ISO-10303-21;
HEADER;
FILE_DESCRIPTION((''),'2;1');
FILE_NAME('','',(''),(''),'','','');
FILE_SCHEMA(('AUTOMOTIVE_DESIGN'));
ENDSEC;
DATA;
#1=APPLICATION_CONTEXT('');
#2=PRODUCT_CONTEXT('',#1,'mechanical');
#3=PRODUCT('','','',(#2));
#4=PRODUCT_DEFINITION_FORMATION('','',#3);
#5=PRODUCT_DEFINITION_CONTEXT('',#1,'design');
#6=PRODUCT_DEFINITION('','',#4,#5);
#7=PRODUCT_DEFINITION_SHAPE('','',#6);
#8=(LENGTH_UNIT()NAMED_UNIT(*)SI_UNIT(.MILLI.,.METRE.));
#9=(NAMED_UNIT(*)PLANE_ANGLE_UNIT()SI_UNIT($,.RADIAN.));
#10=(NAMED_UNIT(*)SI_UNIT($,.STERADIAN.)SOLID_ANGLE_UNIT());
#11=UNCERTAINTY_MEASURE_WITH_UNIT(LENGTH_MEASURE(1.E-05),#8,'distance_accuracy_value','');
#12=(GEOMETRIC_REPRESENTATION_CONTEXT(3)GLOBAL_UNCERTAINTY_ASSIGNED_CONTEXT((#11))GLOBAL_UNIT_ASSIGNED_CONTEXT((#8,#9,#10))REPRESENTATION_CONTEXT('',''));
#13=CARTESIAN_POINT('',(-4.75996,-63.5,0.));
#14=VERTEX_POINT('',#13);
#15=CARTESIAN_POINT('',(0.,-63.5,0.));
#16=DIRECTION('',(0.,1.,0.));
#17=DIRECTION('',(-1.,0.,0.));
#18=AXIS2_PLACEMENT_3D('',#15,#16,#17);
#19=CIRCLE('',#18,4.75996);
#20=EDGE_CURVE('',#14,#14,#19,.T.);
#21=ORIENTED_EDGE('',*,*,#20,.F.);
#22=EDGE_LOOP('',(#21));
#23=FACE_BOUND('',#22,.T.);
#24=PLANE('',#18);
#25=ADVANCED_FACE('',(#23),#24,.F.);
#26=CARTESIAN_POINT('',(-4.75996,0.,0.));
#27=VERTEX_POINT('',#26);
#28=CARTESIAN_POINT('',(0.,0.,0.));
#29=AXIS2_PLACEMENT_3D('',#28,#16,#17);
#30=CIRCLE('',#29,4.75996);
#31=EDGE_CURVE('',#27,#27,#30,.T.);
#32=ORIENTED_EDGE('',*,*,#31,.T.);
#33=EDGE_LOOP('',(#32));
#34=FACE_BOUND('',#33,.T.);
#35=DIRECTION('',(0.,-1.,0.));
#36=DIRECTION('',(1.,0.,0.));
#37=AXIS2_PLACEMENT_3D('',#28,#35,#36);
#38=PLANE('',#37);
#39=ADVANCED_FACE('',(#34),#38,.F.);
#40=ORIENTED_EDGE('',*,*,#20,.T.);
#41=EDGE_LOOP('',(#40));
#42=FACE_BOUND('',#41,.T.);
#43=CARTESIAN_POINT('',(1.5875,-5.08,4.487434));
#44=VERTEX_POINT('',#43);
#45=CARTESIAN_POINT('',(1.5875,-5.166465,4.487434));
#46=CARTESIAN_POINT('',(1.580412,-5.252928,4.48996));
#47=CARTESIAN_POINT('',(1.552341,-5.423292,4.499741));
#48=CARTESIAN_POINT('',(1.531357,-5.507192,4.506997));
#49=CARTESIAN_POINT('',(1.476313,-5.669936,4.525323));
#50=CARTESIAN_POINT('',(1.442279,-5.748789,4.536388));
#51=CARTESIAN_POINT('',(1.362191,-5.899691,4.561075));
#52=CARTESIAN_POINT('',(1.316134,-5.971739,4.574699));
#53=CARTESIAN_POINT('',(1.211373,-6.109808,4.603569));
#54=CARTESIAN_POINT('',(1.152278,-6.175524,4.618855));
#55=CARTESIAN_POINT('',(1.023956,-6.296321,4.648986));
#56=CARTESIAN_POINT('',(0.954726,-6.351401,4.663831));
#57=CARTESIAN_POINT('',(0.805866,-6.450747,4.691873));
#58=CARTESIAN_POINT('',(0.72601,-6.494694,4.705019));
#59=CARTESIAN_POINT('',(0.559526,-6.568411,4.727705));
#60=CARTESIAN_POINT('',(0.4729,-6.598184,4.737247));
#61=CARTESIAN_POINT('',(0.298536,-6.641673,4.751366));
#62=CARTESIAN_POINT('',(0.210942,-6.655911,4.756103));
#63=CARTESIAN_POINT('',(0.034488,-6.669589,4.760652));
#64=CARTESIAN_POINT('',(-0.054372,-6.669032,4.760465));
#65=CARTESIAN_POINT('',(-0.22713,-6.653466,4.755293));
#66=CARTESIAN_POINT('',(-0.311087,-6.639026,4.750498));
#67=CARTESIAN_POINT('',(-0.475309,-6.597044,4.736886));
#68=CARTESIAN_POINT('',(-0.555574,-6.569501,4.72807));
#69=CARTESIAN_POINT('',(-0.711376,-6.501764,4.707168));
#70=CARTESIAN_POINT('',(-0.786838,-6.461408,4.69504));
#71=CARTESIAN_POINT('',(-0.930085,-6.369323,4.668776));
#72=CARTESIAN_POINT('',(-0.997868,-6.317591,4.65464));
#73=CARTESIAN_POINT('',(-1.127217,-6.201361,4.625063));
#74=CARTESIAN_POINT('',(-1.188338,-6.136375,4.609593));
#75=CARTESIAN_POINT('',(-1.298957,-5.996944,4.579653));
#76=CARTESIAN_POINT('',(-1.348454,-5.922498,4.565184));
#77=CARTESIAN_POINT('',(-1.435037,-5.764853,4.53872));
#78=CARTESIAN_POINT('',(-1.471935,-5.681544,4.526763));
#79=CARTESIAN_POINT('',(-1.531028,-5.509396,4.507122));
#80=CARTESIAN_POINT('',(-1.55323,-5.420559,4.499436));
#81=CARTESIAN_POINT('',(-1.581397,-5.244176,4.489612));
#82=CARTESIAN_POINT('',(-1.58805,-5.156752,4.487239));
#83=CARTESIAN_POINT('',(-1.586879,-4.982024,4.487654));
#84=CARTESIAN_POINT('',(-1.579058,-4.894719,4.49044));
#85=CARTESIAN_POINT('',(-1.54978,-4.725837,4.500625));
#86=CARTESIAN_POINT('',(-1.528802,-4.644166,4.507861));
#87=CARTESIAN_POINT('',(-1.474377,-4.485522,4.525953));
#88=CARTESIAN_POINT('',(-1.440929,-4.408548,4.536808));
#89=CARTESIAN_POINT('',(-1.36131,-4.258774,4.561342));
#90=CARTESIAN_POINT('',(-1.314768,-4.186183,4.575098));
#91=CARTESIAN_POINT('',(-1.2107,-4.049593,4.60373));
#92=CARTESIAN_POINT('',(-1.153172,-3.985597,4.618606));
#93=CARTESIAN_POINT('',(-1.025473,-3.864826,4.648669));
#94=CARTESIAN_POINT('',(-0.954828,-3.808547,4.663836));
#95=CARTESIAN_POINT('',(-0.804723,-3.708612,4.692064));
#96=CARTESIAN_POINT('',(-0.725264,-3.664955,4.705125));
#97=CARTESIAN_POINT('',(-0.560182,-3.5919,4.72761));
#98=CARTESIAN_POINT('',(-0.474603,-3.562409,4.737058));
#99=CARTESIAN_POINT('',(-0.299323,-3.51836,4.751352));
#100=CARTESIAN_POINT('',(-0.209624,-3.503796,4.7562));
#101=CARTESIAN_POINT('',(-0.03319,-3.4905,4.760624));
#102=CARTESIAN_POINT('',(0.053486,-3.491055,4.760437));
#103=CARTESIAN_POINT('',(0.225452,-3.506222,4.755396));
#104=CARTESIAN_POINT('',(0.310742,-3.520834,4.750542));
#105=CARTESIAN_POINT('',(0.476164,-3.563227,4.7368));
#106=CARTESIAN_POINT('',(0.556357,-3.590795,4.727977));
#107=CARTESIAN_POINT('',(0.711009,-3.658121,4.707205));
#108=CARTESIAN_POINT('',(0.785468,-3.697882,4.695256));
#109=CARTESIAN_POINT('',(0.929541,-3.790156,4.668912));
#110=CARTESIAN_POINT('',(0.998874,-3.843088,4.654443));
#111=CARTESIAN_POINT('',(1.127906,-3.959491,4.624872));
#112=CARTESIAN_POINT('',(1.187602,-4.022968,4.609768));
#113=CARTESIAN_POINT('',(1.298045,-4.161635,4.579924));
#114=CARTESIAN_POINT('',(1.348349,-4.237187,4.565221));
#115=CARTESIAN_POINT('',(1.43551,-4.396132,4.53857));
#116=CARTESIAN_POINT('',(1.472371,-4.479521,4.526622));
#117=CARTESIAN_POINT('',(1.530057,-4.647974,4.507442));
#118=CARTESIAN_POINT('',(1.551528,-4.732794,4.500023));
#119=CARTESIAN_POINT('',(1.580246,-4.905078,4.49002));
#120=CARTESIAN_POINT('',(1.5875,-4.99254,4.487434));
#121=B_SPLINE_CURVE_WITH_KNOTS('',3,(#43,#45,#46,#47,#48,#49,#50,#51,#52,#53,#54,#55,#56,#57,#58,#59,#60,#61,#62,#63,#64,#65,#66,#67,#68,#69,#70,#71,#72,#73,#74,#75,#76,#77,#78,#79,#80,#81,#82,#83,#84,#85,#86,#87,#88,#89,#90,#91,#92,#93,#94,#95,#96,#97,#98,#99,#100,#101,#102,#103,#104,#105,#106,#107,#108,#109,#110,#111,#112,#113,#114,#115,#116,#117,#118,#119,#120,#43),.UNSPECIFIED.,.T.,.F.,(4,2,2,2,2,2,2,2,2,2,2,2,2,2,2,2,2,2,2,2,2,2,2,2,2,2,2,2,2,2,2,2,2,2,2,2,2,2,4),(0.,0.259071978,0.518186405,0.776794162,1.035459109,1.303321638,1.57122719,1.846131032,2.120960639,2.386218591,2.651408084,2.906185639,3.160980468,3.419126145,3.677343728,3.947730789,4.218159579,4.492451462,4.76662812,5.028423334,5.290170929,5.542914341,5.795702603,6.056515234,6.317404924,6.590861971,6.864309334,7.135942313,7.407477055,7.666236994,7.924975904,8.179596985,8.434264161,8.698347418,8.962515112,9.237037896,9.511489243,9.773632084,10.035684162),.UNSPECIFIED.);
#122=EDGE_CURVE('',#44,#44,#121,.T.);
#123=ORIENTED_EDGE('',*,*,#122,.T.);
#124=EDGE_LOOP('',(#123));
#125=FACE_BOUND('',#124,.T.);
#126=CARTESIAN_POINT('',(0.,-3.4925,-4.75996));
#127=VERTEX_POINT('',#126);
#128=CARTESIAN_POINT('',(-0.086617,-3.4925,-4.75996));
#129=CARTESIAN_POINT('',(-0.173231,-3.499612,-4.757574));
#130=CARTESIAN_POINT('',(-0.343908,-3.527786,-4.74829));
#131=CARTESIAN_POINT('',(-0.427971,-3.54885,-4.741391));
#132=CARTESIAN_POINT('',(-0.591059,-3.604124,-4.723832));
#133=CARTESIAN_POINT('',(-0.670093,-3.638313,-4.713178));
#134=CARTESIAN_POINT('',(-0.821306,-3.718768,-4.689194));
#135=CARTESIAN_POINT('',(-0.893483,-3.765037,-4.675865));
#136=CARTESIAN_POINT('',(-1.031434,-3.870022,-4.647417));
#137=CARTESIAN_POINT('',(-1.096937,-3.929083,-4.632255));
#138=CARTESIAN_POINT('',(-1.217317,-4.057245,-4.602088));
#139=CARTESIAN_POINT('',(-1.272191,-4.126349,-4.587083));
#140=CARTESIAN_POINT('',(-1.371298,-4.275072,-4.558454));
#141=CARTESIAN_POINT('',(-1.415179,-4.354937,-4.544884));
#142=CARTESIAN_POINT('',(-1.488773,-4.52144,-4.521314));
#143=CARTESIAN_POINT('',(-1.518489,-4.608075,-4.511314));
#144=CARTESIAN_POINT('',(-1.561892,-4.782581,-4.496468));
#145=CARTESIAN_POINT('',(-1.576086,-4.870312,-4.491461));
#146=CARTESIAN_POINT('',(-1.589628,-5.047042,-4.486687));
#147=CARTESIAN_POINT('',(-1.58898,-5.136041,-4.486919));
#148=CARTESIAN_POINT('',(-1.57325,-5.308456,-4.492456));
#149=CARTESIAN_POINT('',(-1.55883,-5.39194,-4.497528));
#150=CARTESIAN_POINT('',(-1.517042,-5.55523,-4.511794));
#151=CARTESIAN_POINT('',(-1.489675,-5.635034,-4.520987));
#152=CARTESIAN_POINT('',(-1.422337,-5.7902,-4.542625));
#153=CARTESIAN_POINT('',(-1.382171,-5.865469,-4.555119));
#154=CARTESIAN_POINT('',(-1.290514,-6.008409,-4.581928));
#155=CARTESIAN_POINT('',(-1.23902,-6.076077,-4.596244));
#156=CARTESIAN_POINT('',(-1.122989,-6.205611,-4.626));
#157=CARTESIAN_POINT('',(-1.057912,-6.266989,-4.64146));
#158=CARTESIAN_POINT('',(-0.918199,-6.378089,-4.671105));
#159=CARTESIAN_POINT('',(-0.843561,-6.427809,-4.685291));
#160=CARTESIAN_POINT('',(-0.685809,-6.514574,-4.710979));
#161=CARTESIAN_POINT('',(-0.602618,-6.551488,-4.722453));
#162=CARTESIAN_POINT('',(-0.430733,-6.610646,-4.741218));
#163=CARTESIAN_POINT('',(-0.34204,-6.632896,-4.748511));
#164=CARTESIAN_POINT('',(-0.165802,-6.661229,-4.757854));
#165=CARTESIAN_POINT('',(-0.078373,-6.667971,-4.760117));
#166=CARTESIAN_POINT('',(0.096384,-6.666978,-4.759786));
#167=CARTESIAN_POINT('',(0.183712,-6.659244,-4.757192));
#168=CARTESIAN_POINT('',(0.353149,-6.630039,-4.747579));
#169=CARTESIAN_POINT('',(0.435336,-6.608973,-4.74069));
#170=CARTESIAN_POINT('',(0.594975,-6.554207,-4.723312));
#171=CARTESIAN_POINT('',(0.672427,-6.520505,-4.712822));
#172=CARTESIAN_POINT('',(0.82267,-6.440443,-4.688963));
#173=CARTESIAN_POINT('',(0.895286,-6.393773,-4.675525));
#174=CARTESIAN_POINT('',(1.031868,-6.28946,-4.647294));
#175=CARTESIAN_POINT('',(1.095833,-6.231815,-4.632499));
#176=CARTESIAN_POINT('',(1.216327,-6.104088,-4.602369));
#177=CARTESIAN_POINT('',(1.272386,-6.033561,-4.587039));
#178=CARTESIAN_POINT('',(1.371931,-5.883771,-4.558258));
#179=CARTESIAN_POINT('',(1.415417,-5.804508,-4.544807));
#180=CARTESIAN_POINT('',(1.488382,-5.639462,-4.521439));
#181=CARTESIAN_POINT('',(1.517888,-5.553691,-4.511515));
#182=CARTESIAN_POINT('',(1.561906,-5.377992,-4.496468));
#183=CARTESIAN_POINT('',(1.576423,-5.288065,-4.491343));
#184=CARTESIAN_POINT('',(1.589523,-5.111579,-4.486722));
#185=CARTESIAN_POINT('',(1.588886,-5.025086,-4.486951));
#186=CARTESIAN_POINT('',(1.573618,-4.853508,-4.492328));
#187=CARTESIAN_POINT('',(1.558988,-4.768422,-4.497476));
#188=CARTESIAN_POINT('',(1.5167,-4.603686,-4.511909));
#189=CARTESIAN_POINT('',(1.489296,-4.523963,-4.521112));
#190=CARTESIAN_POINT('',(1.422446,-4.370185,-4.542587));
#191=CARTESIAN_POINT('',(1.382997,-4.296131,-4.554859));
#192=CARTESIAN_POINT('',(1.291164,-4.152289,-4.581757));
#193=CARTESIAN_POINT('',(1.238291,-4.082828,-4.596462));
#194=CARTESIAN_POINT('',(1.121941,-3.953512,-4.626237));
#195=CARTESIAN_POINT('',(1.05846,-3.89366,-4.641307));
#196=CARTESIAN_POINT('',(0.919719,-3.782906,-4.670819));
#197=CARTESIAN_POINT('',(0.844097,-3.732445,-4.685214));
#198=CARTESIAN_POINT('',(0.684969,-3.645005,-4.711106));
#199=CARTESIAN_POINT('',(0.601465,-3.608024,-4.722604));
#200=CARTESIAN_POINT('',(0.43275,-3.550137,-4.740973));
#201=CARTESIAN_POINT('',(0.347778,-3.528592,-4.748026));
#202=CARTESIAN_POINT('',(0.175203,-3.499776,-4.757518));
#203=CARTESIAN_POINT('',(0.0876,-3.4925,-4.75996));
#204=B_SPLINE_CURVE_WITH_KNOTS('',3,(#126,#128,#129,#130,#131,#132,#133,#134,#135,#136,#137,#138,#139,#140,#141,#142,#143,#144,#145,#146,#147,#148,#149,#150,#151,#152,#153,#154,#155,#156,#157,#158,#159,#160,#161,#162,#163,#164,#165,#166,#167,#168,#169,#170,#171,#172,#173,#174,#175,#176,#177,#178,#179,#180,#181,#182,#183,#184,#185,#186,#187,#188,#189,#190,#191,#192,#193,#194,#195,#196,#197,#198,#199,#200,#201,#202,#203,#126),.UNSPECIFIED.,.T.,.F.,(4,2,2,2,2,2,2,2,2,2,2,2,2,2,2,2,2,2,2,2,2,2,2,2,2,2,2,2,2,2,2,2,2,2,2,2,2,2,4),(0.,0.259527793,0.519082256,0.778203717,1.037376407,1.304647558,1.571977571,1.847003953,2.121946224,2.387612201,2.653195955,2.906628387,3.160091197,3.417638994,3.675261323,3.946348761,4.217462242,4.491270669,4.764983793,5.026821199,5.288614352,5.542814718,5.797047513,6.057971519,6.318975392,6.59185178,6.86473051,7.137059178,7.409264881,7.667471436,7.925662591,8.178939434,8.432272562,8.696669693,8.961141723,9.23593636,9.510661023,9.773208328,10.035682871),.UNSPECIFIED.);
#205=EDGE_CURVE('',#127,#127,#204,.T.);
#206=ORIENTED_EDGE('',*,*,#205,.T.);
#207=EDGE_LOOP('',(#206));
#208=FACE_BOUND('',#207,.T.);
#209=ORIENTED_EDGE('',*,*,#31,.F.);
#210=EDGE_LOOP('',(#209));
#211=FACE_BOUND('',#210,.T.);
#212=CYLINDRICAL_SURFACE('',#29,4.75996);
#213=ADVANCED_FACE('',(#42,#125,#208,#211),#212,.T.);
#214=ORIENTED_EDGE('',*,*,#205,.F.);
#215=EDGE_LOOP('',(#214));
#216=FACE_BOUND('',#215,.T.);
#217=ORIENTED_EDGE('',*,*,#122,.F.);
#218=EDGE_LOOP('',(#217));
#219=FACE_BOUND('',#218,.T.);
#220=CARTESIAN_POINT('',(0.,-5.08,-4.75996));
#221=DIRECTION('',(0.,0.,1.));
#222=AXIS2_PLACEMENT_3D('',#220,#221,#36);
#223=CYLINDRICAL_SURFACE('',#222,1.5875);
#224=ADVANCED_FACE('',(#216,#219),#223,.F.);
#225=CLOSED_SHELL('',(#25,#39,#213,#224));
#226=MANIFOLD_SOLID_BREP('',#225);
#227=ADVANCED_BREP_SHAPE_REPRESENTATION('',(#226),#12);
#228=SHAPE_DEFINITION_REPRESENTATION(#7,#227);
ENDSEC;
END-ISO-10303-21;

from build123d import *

# Parameters (mm, degrees)
SKETCH2_W               = 4.75996
SKETCH2_H               = 63.5
CUT_EXTRUDE1_DEPTH      = 64.855809747
CUT_EXTRUDE1_DEPTH_BACK = 64.855809747
SKETCH3_R               = 1.5875


with BuildPart() as part:
    # Sketch2 → Revolve1 (revolve)
    with BuildSketch(Plane.XY, mode=Mode.PRIVATE) as revolve1_sk:
        with Locations((2.37998, -31.75)):
            Rectangle(SKETCH2_W, SKETCH2_H)
    revolve(revolve1_sk.sketch.rotate(Axis((0, 0, 0), (0, -1, 0)), 180), axis=Axis((0, 0, 0), (0, -1, 0)))

    # Sketch3 → Cut-Extrude1 (cut, two sides: drawn at the far end of the back side and taken through both)
    with BuildSketch(Plane.XY.offset(-CUT_EXTRUDE1_DEPTH_BACK)):
        with Locations((0, -5.08)):
            Circle(SKETCH3_R)
    extrude(amount=CUT_EXTRUDE1_DEPTH + CUT_EXTRUDE1_DEPTH_BACK, mode=Mode.SUBTRACT)


solid = part.part
